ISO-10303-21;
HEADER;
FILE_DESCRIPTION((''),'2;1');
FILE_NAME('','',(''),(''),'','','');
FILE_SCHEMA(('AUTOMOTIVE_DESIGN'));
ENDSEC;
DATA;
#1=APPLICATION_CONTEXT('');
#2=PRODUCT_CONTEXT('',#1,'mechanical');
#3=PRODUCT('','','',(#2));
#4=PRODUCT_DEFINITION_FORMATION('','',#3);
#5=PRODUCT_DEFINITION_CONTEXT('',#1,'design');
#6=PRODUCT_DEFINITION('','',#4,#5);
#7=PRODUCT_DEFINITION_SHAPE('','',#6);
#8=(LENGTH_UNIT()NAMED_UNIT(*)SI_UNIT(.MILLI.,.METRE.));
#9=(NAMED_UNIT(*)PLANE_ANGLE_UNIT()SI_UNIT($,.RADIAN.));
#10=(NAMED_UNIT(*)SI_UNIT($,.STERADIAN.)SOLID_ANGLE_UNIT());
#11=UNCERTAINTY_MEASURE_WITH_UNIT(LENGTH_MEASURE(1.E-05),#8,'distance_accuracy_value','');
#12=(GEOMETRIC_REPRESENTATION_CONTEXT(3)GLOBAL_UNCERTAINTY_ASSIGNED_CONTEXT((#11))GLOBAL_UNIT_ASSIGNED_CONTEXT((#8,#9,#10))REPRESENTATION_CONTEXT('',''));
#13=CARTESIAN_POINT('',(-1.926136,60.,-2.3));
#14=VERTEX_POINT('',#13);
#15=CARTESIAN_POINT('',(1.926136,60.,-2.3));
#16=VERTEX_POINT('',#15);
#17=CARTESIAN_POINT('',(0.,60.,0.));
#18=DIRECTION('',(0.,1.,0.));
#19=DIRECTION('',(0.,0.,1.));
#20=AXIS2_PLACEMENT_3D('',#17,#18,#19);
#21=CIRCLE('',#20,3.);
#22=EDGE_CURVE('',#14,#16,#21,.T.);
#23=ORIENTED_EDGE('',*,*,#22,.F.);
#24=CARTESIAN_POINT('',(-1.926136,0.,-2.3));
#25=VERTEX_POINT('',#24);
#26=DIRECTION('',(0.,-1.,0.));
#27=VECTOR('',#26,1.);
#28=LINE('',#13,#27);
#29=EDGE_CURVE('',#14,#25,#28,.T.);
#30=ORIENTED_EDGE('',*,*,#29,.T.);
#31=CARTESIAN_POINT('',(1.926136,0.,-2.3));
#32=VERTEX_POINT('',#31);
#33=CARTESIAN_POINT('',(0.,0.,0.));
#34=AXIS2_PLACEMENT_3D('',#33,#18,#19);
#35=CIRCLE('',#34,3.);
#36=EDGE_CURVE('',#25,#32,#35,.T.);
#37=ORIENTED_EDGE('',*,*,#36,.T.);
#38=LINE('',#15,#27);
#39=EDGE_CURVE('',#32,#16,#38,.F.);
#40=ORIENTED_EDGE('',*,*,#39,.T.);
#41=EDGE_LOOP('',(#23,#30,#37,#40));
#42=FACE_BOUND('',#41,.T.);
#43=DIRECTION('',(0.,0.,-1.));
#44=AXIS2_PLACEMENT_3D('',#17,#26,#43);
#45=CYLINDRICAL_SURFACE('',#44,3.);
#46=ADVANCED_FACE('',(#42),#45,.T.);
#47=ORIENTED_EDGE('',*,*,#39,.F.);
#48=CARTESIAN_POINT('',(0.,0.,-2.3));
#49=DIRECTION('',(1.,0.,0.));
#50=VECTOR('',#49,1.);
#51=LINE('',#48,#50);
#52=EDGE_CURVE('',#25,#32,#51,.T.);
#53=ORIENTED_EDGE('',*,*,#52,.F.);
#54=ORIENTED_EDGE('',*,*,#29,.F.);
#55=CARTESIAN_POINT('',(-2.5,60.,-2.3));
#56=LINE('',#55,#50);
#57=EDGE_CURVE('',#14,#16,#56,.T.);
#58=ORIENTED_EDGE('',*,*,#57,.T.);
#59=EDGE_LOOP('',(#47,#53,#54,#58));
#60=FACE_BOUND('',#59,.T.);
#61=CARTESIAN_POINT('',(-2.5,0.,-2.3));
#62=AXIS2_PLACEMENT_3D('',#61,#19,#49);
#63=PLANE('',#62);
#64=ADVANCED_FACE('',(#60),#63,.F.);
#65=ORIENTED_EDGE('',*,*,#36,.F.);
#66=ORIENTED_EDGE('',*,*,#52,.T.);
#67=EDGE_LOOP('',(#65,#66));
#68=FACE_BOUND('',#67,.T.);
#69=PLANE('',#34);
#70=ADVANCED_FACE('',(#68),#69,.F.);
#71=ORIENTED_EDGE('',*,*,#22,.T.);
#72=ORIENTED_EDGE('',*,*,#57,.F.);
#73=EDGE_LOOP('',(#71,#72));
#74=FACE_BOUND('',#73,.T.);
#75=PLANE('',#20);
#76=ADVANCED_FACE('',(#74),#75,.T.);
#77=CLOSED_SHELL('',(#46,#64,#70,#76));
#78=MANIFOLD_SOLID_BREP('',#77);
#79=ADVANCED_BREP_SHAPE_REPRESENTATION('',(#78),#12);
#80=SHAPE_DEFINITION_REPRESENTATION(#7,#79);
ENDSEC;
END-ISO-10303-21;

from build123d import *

# Parameters (mm, degrees)
SKETCH_1_R          = 3
EXTRUDE_1_DEPTH     = 60
SKETCH_2_W          = 5
SKETCH_2_H          = 2
CUT_EXTRUDE_1_DEPTH = 61.149812967


with BuildPart() as part:
    # Эскиз1 → Бобышка-Вытянуть1 (new body)
    with BuildSketch(Plane(origin=(0, 0, 0), x_dir=(1, 0, 0), z_dir=(0, 1, 0))):
        with Locations(Location((0, 0, 0), (0, 0, 270))):
            Circle(SKETCH_1_R)
    extrude(amount=EXTRUDE_1_DEPTH)

    # Эскиз2 → Вырез-Вытянуть1 (cut, through all)
    with BuildSketch(Plane(origin=(0, 60, 0), x_dir=(1, 0, 0), z_dir=(0, 1, 0))):
        with Locations((0, 3.3)):
            Rectangle(SKETCH_2_W, SKETCH_2_H)
    extrude(amount=-CUT_EXTRUDE_1_DEPTH, mode=Mode.SUBTRACT)


solid = part.part
